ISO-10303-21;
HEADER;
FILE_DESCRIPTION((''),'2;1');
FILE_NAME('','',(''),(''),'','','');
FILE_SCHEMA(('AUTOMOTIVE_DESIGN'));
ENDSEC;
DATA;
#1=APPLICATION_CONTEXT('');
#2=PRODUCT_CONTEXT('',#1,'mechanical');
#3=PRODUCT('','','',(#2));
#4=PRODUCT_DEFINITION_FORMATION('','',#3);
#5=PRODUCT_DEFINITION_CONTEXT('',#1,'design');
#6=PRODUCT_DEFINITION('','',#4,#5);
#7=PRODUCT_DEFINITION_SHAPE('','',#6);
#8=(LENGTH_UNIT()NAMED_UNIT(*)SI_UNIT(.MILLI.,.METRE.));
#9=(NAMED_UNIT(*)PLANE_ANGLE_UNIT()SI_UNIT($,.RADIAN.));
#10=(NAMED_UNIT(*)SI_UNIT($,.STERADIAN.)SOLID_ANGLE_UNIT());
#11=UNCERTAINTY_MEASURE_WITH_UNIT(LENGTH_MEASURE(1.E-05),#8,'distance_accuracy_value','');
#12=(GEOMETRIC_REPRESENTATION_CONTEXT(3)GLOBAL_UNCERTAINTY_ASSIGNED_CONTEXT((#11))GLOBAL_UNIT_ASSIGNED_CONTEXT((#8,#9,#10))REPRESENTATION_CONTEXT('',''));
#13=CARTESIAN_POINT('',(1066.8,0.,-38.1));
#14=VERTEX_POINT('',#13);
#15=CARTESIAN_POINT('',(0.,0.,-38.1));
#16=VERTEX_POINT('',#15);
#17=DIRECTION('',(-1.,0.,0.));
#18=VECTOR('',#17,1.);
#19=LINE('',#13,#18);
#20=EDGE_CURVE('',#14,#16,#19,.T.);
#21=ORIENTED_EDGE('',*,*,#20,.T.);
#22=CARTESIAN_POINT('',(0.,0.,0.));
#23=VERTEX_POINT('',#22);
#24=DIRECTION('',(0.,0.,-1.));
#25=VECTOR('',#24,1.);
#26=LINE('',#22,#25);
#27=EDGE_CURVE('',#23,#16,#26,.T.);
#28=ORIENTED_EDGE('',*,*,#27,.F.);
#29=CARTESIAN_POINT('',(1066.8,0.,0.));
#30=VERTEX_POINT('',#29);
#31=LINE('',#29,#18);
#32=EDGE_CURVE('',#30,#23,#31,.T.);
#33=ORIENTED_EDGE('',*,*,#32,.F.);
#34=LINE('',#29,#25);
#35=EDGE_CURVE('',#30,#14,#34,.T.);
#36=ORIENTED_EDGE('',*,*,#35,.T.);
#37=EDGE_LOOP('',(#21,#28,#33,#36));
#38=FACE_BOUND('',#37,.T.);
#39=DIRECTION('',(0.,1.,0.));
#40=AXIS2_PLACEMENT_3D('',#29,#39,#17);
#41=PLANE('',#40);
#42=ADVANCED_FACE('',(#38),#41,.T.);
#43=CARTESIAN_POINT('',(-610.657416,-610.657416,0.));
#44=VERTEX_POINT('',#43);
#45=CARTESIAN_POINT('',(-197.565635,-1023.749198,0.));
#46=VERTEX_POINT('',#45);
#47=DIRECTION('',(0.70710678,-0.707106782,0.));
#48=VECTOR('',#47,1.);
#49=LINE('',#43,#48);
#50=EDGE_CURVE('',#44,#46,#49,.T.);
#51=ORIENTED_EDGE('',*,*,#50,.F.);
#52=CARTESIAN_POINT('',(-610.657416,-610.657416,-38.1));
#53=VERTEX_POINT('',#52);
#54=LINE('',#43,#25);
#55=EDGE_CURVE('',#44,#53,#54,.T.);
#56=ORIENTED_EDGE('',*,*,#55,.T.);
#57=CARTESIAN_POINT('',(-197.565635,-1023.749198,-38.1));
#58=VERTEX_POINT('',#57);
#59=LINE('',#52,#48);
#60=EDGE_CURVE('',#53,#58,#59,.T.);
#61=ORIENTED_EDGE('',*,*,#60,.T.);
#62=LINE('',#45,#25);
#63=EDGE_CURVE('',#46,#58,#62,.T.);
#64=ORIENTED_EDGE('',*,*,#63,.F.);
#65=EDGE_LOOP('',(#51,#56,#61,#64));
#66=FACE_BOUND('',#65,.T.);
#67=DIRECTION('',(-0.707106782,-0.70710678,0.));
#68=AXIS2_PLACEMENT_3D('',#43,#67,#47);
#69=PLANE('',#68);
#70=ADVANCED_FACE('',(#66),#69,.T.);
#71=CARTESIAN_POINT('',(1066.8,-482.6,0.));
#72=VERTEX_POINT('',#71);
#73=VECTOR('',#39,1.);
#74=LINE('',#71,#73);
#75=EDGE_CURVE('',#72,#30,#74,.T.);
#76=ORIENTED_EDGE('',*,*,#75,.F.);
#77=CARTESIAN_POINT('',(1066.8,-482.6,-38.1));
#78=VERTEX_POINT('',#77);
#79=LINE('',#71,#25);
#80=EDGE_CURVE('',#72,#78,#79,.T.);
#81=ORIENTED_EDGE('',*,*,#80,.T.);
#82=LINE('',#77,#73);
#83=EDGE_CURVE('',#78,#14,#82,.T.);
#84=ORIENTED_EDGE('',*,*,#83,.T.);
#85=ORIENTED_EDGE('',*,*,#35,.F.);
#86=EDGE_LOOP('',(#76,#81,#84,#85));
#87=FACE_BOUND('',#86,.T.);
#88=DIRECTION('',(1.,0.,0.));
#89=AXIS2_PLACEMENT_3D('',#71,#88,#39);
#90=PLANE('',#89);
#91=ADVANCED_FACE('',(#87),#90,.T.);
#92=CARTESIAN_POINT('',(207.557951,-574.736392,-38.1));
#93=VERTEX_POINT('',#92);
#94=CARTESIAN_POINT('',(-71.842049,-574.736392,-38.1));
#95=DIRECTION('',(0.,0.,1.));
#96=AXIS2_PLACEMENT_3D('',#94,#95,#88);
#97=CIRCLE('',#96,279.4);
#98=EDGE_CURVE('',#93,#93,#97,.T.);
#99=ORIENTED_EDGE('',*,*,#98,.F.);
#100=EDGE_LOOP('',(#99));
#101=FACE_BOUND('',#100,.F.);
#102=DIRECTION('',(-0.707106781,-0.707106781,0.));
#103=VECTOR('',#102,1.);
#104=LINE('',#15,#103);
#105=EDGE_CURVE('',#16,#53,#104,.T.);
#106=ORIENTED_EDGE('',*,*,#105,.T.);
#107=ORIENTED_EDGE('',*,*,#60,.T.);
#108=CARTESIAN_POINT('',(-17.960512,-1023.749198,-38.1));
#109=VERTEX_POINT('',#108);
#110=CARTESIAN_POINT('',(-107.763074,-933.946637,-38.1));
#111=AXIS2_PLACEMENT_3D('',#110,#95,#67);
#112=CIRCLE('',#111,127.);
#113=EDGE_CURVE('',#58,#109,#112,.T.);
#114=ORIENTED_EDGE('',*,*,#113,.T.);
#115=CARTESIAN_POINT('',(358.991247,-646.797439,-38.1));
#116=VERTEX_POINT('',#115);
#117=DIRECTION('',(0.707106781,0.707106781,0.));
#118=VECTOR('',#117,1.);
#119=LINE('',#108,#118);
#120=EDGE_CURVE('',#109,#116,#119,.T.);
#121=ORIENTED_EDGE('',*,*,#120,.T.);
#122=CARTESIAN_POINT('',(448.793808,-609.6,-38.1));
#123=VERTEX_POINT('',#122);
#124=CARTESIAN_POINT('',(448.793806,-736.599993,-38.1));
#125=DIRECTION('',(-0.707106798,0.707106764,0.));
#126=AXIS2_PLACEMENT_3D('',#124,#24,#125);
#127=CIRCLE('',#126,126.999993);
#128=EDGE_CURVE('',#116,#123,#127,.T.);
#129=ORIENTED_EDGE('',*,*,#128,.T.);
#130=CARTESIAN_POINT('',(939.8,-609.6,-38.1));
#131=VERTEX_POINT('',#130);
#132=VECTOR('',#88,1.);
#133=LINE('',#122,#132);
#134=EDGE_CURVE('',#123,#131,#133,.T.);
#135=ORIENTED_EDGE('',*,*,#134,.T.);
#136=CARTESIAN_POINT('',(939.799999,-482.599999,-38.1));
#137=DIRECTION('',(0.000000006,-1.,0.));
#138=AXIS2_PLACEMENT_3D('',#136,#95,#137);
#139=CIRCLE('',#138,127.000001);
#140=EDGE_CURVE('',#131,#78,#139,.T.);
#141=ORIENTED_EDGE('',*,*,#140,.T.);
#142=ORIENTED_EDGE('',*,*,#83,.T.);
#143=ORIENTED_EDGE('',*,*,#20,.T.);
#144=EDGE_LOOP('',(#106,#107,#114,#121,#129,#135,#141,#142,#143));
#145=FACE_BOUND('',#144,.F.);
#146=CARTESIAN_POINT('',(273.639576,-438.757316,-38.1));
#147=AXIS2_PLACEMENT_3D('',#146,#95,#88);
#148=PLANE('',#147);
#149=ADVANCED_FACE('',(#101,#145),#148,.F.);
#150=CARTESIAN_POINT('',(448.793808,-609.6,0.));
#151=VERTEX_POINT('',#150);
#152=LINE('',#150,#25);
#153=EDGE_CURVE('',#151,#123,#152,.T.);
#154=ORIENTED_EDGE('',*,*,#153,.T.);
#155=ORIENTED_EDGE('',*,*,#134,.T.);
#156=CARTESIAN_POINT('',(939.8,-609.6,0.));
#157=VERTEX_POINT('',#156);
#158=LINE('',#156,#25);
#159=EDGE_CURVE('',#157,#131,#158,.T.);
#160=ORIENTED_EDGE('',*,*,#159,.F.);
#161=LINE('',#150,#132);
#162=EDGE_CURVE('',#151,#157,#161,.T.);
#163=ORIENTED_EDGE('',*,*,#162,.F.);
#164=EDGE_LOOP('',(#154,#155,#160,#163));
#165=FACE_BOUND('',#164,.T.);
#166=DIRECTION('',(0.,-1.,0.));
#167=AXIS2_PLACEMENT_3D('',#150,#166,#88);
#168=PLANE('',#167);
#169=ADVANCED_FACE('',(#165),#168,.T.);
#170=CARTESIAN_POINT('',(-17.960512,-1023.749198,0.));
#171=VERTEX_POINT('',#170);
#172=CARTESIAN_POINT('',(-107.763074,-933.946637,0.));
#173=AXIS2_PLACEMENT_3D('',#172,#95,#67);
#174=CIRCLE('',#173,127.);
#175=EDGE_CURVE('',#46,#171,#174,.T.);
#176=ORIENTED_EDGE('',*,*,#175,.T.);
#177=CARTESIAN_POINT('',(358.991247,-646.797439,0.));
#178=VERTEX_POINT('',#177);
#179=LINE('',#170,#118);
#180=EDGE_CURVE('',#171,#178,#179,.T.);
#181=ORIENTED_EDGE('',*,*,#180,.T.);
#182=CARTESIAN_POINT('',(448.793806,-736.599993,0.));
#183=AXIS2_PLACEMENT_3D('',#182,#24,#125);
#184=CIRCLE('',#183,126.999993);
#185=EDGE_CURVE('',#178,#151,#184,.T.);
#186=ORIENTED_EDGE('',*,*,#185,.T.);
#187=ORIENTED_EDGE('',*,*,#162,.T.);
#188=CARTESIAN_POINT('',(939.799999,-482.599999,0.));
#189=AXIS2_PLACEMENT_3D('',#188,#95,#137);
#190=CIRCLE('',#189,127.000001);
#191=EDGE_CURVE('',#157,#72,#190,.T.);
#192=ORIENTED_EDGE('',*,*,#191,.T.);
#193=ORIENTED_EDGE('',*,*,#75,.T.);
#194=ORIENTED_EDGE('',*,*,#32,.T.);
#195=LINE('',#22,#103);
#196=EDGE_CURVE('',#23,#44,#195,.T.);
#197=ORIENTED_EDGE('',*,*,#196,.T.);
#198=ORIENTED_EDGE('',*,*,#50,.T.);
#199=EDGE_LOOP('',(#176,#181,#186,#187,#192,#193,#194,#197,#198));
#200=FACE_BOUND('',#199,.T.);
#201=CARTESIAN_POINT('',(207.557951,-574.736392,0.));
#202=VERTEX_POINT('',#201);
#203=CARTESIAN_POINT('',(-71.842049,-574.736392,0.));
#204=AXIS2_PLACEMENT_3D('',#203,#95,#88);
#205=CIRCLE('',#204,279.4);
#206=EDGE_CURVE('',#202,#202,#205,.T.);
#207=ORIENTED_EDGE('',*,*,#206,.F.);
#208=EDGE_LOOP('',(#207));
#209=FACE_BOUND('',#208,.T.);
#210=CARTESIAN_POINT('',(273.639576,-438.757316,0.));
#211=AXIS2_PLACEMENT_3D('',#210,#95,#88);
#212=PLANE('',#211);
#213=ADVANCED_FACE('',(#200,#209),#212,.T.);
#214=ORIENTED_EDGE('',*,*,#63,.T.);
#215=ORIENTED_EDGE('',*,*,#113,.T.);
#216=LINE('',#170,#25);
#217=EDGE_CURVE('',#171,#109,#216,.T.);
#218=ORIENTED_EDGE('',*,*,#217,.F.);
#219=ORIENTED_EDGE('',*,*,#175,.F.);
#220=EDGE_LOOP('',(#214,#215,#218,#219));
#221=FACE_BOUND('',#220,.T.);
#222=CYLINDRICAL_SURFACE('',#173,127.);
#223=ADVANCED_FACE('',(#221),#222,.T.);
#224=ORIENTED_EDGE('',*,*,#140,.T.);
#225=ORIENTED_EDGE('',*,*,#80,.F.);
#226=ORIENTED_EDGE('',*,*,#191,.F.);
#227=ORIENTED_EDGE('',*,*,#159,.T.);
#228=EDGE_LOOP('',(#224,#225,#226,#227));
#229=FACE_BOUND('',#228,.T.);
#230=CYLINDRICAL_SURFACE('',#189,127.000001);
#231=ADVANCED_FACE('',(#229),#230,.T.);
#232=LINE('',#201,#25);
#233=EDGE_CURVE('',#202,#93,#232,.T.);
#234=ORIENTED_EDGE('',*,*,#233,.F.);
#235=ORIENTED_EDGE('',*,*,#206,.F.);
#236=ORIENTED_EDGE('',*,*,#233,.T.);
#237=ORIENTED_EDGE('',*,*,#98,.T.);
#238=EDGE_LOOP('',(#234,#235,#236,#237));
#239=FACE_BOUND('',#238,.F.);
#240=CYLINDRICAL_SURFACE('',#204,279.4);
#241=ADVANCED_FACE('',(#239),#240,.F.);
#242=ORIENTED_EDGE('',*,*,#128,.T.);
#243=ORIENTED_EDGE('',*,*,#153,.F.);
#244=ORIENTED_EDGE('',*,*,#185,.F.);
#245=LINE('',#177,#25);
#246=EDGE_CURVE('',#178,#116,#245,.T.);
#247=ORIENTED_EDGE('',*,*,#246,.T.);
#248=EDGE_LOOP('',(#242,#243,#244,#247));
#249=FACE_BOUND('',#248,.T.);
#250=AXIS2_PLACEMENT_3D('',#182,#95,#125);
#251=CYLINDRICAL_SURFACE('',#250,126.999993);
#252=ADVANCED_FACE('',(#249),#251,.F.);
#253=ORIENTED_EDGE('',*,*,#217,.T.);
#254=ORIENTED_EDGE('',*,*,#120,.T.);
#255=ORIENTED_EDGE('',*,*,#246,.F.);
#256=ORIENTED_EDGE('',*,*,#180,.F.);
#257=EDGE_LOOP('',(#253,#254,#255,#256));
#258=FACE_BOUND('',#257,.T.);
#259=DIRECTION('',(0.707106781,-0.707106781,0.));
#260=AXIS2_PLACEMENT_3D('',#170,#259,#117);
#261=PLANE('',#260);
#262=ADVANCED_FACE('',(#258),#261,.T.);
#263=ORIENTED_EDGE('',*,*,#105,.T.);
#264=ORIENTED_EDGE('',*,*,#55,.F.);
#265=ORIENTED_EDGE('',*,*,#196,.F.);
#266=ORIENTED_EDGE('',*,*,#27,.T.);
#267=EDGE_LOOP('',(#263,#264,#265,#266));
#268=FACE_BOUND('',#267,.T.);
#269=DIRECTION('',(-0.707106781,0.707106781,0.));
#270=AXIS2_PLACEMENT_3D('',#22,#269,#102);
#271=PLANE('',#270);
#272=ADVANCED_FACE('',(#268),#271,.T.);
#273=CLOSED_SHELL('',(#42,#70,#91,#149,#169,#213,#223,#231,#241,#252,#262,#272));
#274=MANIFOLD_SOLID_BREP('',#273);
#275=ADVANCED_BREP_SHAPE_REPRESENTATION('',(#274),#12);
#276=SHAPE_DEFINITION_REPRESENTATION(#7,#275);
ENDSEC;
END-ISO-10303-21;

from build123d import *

# Parameters (mm, degrees)
F0_R     = 279.4
F1_DEPTH = 38.1


with BuildPart() as f1:
    # F0 (on Top) → F1 (new body)
    with BuildSketch(Plane.XY):
        with BuildLine():
            Line((1066.8, 0), (0, 0))
            Line((0, 0), (-610.657416, -610.657416))
            Line((-610.657416, -610.657416), (-197.565635, -1023.749198))
            ThreePointArc((-197.565635, -1023.749198), (-107.763073, -1060.946637), (-17.960512, -1023.749198))
            Line((-17.960512, -1023.749198), (358.991247, -646.797439))
            ThreePointArc((358.991247, -646.797439), (400.193012, -619.267299), (448.793808, -609.6))
            Line((448.793808, -609.6), (939.8, -609.6))
            ThreePointArc((939.8, -609.6), (1029.602561, -572.402561), (1066.8, -482.6))
            Line((1066.8, -482.6), (1066.8, 0))
        make_face()
        with Locations((-71.842049, -574.736392)):
            Circle(F0_R, mode=Mode.SUBTRACT)
    extrude(amount=-F1_DEPTH)


solid = f1.part
